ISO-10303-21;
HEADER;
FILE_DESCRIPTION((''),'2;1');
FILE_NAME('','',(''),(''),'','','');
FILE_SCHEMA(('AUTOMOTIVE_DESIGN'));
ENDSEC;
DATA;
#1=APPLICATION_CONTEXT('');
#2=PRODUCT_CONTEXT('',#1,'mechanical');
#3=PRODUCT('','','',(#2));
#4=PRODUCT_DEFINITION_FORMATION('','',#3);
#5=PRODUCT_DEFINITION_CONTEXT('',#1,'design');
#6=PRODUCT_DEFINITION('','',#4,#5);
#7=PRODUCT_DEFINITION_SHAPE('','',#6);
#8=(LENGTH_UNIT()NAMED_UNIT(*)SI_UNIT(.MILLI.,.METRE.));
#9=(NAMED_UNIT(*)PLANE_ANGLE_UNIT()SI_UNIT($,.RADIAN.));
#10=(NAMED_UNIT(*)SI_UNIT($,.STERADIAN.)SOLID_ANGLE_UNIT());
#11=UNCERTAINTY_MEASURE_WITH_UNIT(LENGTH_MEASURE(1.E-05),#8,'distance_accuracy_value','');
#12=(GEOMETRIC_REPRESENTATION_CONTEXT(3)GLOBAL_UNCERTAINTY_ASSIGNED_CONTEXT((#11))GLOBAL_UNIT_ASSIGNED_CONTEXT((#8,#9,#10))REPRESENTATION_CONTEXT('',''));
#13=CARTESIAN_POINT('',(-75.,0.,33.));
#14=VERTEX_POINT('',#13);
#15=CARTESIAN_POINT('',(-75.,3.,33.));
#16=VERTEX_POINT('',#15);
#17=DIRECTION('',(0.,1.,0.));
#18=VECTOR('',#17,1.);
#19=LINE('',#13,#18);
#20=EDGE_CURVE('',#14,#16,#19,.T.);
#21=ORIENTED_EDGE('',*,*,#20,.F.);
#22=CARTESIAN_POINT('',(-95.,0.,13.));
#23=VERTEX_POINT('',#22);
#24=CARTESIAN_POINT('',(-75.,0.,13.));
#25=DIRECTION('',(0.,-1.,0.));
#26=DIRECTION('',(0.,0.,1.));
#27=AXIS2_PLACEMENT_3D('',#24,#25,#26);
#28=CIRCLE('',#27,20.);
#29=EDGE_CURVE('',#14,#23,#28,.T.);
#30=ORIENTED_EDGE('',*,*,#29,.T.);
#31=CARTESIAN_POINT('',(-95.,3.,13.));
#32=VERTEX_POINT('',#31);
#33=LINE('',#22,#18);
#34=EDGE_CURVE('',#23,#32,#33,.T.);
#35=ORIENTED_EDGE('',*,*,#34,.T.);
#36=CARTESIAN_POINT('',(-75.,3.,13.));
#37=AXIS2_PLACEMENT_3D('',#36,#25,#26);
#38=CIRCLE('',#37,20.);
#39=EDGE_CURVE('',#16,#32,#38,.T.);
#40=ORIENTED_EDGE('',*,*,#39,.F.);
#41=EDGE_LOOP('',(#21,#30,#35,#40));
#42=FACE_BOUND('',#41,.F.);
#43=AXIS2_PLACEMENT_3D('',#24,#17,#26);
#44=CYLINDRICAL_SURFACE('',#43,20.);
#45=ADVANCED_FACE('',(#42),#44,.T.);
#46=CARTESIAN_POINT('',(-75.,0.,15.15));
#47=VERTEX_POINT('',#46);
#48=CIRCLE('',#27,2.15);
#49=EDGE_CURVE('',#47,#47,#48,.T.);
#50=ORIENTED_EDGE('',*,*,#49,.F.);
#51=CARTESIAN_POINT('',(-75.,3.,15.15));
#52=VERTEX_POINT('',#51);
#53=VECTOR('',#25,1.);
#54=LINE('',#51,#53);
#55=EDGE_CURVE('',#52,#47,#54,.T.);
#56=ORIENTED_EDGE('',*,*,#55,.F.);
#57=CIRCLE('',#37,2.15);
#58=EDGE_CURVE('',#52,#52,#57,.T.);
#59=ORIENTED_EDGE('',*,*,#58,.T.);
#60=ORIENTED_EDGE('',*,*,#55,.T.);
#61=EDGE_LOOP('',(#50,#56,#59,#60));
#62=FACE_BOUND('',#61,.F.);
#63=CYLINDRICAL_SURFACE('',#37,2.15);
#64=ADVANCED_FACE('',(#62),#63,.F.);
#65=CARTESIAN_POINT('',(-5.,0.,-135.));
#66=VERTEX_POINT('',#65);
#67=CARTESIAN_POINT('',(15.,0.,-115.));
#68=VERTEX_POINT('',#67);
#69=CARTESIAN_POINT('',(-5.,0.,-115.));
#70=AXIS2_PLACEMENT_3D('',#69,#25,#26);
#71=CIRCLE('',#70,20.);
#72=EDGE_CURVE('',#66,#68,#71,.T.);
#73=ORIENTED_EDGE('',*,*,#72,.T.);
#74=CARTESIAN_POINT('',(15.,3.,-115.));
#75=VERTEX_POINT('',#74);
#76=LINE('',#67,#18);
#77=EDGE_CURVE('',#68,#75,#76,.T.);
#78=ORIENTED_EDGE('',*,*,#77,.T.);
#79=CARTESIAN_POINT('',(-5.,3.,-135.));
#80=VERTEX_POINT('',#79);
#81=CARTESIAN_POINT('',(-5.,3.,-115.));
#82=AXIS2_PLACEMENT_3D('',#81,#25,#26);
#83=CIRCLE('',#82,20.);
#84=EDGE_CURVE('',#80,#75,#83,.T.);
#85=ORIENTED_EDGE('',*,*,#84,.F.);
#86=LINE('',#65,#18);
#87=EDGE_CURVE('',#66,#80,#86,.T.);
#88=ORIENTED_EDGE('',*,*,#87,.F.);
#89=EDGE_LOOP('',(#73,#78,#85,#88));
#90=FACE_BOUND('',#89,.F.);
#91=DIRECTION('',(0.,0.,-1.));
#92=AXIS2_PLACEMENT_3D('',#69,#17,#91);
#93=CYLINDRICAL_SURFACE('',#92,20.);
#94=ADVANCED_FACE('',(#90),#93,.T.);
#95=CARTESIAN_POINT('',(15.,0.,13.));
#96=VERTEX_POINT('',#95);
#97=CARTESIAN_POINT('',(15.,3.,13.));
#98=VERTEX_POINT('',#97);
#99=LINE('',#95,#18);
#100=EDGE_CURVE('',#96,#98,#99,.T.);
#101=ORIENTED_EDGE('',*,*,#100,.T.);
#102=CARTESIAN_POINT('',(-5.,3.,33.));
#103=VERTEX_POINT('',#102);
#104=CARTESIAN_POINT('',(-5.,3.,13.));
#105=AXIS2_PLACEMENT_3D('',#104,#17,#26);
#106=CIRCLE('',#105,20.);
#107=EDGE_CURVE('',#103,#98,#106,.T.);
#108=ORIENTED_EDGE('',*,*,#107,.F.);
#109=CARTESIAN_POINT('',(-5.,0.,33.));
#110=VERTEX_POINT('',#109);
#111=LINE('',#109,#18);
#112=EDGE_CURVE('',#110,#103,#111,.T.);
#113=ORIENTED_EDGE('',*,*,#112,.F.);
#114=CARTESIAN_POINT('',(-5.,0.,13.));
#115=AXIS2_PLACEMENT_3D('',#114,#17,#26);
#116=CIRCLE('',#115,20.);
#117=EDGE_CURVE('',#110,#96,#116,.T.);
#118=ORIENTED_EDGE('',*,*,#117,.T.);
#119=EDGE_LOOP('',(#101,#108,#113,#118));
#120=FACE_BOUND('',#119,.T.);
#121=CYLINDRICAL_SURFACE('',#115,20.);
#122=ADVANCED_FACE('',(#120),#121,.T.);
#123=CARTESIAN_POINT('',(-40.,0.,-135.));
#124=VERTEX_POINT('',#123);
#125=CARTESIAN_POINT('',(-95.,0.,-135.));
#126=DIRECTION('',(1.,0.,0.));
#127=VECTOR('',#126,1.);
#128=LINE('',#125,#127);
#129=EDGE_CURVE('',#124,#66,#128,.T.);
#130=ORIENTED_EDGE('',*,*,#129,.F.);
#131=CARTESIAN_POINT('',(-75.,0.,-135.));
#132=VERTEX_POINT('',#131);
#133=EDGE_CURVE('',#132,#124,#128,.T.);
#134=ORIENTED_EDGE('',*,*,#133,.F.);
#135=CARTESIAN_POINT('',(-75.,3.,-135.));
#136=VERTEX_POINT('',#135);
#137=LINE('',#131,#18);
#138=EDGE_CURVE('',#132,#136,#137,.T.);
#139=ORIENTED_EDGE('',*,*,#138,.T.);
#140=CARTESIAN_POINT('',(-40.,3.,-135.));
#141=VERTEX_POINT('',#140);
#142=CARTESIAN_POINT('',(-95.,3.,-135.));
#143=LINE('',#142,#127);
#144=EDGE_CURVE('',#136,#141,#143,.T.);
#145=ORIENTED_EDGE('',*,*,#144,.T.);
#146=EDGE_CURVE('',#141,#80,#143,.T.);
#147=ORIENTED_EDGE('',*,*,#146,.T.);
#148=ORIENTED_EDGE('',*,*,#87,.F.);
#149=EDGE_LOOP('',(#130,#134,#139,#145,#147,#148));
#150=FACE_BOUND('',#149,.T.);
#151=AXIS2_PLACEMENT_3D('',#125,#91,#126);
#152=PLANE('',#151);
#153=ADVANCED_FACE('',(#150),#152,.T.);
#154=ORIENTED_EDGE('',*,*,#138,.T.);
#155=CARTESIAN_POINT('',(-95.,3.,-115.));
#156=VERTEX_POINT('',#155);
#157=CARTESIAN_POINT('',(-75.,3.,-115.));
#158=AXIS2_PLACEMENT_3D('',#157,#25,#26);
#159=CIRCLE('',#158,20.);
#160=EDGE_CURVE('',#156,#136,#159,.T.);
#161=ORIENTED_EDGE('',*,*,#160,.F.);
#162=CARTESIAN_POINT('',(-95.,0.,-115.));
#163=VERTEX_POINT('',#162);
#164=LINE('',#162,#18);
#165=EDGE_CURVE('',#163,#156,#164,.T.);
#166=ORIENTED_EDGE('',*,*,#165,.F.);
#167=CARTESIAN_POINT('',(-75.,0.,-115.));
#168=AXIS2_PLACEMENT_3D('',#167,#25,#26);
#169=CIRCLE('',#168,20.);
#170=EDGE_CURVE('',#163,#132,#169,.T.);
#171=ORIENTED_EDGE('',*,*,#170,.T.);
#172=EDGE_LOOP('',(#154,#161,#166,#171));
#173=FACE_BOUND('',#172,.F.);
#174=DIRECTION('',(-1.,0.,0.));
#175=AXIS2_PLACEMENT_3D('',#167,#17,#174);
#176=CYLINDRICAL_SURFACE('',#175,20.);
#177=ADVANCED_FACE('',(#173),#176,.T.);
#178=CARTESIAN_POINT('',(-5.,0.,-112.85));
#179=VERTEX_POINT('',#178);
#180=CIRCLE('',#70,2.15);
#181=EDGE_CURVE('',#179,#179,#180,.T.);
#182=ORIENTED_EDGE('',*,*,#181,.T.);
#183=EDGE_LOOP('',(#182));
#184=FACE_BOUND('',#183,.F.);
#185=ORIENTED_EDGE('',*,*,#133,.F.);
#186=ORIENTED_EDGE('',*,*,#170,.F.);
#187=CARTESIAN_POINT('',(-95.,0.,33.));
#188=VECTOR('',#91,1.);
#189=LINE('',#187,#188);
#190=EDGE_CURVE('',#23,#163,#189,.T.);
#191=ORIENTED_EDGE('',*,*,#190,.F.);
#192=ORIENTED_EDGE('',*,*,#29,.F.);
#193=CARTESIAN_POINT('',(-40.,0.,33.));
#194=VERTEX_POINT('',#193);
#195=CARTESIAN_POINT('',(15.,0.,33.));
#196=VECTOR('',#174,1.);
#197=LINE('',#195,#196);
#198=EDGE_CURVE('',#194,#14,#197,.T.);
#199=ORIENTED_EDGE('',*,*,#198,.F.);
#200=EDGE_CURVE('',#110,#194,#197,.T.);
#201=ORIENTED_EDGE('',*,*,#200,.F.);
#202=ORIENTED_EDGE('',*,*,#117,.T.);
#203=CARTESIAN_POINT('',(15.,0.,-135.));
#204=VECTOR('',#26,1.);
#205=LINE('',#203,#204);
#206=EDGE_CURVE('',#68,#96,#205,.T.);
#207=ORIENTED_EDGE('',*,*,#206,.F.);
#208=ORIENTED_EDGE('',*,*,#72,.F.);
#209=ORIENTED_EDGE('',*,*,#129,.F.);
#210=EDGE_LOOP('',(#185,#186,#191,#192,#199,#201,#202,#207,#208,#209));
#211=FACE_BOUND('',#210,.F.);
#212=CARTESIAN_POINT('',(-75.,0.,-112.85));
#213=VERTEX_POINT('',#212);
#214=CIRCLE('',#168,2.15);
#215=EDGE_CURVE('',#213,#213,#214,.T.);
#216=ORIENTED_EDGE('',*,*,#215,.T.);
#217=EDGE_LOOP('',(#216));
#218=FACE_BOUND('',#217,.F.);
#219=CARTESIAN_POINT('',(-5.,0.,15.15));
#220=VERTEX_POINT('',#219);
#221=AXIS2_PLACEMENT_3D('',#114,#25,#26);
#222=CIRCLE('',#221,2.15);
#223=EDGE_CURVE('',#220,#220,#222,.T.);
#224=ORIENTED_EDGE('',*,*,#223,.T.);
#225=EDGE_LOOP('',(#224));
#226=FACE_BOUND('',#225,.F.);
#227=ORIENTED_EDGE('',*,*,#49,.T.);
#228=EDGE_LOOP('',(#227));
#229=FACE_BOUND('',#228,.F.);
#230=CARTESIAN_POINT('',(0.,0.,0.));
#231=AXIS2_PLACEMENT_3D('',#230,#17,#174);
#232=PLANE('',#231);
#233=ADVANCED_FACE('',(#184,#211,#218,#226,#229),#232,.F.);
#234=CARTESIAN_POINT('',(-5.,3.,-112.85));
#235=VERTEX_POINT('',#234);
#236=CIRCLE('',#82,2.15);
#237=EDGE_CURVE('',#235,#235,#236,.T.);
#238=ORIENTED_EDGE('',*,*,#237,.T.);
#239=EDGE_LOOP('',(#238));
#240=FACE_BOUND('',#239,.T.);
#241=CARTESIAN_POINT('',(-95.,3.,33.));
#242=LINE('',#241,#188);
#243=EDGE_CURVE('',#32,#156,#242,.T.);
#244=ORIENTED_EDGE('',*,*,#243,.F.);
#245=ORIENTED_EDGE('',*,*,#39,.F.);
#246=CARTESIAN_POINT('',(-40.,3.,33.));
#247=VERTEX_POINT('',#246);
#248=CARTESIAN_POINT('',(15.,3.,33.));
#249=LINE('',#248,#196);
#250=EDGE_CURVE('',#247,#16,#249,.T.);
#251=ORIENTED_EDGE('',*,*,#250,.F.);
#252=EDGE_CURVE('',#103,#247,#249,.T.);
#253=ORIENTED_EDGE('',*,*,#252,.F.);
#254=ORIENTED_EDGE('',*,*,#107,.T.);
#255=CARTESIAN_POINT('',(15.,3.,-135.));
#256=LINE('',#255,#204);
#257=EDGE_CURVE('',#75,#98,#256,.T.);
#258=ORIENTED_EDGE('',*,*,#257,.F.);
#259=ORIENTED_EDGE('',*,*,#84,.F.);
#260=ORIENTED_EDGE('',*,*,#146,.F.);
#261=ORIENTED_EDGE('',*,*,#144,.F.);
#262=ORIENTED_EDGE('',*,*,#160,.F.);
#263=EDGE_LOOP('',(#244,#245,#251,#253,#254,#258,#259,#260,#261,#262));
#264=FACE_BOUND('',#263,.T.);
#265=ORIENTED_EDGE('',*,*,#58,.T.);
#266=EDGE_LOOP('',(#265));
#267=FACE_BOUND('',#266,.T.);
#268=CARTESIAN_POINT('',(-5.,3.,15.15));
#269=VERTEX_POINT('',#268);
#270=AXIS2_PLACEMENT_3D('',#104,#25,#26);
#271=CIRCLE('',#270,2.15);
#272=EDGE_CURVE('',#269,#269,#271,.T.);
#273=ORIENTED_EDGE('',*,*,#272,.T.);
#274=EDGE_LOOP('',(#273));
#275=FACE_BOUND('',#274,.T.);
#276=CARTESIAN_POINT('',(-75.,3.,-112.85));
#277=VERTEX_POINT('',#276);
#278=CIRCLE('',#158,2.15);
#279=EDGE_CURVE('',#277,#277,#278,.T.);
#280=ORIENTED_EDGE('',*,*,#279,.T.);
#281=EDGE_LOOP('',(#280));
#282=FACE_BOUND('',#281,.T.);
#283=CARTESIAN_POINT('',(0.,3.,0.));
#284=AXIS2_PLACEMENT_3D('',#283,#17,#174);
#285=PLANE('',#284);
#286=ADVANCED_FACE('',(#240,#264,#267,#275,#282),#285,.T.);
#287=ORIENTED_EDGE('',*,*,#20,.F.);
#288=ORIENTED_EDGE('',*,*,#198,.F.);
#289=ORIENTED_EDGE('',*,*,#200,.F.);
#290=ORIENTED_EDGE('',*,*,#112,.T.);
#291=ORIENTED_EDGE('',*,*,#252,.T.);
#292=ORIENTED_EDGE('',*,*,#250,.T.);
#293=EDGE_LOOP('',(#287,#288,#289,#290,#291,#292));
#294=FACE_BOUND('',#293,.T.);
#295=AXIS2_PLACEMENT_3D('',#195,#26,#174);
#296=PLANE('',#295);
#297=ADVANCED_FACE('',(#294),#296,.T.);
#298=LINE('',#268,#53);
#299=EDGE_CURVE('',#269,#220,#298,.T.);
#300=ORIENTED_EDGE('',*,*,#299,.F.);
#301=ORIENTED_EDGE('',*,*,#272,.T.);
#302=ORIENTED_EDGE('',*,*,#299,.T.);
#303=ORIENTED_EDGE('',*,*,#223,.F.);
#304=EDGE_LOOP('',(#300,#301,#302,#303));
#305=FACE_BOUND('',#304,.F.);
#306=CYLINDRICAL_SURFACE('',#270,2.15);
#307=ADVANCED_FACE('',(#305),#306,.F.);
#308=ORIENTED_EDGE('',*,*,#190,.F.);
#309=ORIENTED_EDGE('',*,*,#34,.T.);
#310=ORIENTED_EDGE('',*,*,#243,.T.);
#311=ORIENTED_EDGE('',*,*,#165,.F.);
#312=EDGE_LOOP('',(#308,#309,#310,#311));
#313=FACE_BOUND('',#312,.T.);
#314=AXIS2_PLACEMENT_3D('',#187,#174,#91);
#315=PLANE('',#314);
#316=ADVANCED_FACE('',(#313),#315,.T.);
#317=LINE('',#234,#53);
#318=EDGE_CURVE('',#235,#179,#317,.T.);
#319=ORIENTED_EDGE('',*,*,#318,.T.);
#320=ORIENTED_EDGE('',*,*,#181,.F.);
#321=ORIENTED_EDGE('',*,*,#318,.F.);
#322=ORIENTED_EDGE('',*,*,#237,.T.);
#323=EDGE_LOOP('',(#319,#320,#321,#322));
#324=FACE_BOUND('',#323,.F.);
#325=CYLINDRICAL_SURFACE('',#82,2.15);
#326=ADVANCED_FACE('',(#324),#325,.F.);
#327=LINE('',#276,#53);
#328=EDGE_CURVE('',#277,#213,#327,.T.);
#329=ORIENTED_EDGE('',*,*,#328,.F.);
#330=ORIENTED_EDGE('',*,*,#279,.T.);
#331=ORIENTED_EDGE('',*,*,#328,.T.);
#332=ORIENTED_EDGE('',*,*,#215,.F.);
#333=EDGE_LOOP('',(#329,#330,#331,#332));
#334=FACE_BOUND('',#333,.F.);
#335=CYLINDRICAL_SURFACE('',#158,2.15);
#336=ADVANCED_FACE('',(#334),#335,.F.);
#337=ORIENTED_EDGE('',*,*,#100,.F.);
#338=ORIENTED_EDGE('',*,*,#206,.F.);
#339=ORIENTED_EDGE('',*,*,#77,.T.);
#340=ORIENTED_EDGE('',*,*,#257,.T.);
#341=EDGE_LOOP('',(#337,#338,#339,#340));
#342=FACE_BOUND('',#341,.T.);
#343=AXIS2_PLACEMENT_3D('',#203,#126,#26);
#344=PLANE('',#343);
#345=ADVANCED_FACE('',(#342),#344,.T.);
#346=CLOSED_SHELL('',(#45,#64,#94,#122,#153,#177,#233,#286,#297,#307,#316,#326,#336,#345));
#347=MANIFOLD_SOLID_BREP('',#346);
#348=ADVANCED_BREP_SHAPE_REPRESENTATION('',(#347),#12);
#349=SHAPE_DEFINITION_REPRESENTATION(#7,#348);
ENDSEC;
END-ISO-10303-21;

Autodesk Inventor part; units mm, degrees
ref_plane "YZ Plane" through (0, 0, 0) normal (1, 0, 0) x (0, 1, 0)
sketch "Sketch1" plane through (0, 0, 0) normal (0, 1, 0) x (-1, 0, 0)
  line L0 (-15, 33) -> (95, 33)
  line L1 (95, 33) -> (95, -135)
  line L2 (95, -135) -> (-15, -135)
  line L3 (-15, -135) -> (-15, 33)
  line L4 (95, 33) -> (95, 15)
  line L5 (-15, 33) -> (-15, 13)
  line L6 (95, -135) -> (95, -115)
  line L7 (-15, -135) -> (-15, -115)
  line L8 (40, -135) -> (40, -130)
  line L9 (31, -130) -> (49, -130)
  line L10 (49, -130) -> (49, -106)
  line L11 (49, -106) -> (31, -106)
  line L12 (31, -106) -> (31, -130)
  line L13 (40, 33) -> (40, 28)
  line L14 (31, 28) -> (49, 28)
  line L15 (49, 28) -> (49, 4)
  line L16 (49, 4) -> (31, 4)
  line L17 (31, 4) -> (31, 28)
  point P0 (0, 0)
  point P1 (47.5, 33)
  point P2 (12.5, 33)
  point P3 (67.5, -135)
  point P4 (32.5, -135)
  dimension "d4" = 110
  dimension "d5" = 168
  dimension "d22" = 5
  dimension "d23" = 18
  dimension "d24" = 24
  dimension "d25" = 5
  dimension "d26" = 18
  dimension "d27" = 24
extrude "Extrusion2" add sketch "Sketch1" along normal blind 3 contours L9 L12 L11 L10 | L14 L15 L16 L17 | L0 L1 L2 L3
fillet "Fillet1" radius 20 4 edges at (15, 1.5, 33) (-95, 1.5, 33) (15, 1.5, -135) (-95, 1.5, -135)
ref_plane "Work Plane1" through (-75, 0, -51) normal (0, 0, 1) x (1, 0, 0)
ref_plane "Work Plane2" through (-40, 0, 13) normal (1, 0, 0) x (0, 0, -1)
sketch "Sketch2" plane through (0, 3, 0) normal (0, 1, 0) x (1, 0, 0)
  arc A0 (-95, -13) -> (-75, -33) centre (-75, -13) ccw projected
  line L0 (-95, -33) -> (-95, -13)
  line L1 (-75, -33) -> (-5, -33) projected
  line L2 (-95, -33) -> (-75, -33)
  line L3 (-75, -33) -> (-75, -13)
  line L4 (-75, -13) -> (-95, -13)
  arc A1 (-5, -33) -> (15, -13) centre (-5, -13) ccw projected
  line L5 (15, -33) -> (-5, -33)
  line L6 (15, -33) -> (15, -13)
  line L7 (-5, -33) -> (-5, -13)
  line L8 (-5, -13) -> (15, -13)
  arc A2 (15, 115) -> (-5, 135) centre (-5, 115) ccw projected
  line L9 (15, 135) -> (15, 115)
  line L10 (15, 135) -> (-5, 135)
  line L11 (-5, 135) -> (-5, 115)
  line L12 (-5, 115) -> (15, 115)
  arc A3 (-75, 135) -> (-95, 115) centre (-75, 115) ccw projected
  line L13 (-95, 135) -> (-95, 115)
  line L14 (-95, 135) -> (-75, 135)
  line L15 (-95, 115) -> (-95, -13) projected
  line L16 (-95, 115) -> (-75, 115)
  line L17 (-75, 115) -> (-75, 135)
  point P0 (0, 0)
hole "Hole2" at (-75, 3, 13) at (-75, 3, -115) at (-5, 3, -115) at (-5, 3, 13) direction (0, -1, 0) diameter 4.3 end through all
properties part number "BedHousingFrame"
